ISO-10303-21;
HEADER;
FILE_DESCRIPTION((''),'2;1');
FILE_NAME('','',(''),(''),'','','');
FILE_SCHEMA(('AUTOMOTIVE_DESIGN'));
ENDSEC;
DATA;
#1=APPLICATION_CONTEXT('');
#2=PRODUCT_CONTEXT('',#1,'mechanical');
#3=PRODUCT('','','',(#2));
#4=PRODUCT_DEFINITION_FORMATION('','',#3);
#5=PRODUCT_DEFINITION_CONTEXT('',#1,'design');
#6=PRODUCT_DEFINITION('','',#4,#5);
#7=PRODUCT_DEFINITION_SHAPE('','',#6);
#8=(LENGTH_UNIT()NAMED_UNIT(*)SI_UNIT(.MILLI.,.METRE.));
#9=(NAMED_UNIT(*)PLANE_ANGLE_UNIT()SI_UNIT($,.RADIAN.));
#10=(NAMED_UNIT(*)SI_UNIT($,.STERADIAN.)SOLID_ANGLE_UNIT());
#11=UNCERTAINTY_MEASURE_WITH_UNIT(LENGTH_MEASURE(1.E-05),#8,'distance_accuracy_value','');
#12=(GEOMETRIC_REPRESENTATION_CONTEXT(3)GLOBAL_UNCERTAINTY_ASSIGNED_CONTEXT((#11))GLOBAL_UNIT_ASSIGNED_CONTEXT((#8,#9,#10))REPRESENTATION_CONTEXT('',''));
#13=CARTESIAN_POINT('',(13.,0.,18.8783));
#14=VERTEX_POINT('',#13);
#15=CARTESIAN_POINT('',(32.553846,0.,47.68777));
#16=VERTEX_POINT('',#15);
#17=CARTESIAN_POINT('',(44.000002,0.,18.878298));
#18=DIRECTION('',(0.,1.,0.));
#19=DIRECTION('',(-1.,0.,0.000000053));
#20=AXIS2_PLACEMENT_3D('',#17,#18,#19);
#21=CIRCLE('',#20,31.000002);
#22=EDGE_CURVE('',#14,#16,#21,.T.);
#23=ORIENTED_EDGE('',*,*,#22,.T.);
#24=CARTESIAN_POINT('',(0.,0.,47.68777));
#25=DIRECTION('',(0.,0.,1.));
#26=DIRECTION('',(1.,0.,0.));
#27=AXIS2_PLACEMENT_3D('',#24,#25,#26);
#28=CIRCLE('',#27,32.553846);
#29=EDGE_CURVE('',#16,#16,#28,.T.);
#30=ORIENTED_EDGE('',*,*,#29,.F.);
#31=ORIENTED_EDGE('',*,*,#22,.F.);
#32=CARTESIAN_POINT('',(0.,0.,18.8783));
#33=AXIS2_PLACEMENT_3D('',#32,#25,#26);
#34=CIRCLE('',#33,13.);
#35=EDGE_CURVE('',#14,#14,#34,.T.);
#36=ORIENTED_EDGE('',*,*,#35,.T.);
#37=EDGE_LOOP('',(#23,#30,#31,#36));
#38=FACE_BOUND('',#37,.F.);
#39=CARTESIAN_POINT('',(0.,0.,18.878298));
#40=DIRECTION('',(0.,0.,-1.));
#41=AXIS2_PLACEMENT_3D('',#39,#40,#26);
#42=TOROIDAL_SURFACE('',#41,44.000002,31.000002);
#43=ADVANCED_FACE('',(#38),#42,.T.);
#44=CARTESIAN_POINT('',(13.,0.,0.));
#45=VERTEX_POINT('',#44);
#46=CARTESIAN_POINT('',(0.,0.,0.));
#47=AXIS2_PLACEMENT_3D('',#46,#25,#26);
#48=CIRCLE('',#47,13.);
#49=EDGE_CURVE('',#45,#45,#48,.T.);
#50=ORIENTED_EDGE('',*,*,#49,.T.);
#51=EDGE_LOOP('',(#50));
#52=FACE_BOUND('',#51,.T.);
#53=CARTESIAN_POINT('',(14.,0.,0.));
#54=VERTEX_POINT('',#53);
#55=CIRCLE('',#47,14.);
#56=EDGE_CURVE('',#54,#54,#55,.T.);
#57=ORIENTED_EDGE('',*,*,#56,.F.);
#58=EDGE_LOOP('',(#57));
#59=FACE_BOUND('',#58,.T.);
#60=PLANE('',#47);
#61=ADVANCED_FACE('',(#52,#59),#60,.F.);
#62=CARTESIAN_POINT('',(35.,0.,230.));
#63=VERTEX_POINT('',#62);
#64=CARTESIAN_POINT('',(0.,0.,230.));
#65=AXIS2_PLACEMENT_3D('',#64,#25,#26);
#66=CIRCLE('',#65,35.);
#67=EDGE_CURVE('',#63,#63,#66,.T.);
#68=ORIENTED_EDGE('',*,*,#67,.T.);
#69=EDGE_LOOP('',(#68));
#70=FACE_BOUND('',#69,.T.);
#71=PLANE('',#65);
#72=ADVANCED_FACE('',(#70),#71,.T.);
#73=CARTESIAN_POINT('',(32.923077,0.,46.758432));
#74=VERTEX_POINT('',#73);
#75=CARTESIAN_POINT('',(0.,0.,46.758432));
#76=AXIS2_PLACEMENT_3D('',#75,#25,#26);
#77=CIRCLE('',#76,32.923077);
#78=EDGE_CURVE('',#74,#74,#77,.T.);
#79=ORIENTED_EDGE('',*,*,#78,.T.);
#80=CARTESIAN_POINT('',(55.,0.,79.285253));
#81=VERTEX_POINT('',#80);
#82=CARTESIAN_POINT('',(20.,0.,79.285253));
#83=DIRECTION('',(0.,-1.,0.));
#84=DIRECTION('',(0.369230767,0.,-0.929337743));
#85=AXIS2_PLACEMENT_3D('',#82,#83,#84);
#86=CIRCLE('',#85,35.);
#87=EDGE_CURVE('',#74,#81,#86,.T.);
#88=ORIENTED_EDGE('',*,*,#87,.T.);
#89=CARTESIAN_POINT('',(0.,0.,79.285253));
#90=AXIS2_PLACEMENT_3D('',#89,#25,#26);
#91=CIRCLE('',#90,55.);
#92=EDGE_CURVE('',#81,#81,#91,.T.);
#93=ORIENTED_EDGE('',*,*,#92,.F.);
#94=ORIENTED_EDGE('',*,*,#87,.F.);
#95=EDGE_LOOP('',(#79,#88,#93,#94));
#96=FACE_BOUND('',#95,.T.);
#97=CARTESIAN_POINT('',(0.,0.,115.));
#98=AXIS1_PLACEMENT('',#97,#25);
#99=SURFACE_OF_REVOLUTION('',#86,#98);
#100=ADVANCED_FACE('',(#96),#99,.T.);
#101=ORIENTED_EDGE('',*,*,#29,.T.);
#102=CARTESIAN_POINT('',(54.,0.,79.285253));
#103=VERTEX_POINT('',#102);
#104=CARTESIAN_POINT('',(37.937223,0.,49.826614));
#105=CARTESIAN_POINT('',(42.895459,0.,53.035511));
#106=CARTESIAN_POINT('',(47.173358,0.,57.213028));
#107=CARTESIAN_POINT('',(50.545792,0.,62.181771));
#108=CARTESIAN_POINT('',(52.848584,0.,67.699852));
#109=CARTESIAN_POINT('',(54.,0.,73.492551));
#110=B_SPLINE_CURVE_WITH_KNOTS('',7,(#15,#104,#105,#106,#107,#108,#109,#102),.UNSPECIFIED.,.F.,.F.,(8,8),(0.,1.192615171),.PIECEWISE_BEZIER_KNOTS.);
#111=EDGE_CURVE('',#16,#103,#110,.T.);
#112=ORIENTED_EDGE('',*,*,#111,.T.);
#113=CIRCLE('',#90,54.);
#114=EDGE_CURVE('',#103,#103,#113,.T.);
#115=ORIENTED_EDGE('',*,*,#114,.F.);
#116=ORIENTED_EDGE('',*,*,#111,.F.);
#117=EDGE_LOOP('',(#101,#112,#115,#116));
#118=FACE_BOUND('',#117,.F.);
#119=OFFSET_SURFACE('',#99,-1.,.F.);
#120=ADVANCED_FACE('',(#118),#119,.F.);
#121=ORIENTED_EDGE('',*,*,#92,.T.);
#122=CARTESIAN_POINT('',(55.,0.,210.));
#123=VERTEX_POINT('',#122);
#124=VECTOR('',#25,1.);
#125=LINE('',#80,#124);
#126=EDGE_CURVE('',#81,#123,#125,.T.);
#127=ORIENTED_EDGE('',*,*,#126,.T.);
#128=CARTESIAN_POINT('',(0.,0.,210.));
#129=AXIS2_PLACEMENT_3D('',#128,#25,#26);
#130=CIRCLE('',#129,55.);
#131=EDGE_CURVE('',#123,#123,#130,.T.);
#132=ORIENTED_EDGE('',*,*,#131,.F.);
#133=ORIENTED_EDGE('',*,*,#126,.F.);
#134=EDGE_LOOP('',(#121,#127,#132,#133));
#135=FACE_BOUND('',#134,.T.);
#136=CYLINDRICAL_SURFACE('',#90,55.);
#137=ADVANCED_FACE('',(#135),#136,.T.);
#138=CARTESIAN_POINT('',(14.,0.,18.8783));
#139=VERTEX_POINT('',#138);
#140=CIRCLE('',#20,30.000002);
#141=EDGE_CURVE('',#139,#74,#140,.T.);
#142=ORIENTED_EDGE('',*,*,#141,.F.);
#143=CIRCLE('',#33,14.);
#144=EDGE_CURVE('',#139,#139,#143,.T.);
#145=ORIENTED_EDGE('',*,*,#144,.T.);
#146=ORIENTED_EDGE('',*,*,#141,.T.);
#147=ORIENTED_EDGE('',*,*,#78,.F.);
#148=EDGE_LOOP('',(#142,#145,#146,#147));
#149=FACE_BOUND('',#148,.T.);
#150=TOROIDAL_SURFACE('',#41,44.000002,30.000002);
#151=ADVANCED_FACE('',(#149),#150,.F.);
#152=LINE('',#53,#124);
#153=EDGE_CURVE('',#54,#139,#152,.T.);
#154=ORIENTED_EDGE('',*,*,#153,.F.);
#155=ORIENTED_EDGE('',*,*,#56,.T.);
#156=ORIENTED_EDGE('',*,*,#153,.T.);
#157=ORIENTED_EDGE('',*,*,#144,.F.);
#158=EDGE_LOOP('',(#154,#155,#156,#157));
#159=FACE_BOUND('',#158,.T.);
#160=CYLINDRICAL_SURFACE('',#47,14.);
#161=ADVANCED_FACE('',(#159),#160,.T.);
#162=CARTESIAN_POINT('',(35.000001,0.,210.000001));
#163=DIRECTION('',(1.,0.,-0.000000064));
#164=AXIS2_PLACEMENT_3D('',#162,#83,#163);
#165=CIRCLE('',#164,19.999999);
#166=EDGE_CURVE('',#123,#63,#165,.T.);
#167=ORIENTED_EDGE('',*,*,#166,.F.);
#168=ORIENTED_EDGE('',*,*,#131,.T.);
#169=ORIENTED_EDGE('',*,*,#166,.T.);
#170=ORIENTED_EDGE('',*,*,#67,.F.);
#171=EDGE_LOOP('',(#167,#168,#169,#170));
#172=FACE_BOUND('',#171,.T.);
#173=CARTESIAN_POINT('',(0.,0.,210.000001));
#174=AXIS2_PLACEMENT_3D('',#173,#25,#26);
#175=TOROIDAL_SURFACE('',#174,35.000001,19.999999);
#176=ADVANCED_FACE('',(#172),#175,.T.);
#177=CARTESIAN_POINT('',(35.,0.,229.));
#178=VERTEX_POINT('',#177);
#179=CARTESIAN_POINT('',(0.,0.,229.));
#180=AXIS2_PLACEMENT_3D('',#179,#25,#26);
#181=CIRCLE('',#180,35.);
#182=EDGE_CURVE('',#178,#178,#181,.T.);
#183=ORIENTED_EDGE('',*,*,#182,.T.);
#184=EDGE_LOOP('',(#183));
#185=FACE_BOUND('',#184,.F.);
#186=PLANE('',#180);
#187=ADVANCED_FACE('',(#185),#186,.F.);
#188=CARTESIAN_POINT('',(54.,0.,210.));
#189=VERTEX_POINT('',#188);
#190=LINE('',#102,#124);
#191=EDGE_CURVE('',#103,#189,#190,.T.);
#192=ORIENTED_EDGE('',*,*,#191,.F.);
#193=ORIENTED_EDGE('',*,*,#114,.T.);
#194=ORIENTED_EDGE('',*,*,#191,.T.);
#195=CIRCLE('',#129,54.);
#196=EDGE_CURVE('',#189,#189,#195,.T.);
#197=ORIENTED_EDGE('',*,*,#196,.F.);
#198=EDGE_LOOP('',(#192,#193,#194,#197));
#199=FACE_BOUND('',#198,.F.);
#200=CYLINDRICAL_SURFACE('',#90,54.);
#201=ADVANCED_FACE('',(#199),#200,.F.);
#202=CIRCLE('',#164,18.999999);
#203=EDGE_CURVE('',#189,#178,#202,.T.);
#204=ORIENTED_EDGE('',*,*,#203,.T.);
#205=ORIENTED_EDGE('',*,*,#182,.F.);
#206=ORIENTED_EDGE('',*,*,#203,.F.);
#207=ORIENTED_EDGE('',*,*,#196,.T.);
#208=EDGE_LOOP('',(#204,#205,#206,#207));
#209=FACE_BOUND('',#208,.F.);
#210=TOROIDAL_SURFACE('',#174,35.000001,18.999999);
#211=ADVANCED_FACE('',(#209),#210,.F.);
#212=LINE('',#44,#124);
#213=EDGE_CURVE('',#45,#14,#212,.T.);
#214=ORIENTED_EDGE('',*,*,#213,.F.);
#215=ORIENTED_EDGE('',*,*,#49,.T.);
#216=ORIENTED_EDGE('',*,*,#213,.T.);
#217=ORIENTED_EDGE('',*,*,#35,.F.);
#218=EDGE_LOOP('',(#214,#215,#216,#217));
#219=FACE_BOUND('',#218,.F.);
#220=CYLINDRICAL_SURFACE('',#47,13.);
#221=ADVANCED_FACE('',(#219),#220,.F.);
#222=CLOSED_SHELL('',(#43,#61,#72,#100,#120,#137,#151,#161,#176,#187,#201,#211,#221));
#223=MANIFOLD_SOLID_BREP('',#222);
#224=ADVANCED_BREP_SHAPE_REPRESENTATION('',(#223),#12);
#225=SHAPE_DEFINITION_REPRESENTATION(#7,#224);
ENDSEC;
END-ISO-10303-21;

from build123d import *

# Parameters (mm, degrees)
F2_T = -1


with BuildPart() as f1:
    # F0 (on Front) → F1 (revolve)
    with BuildSketch(Plane.XZ):
        with BuildLine():
            Line((0, 230), (0, 0))
            Line((0, 0), (14, 0))
            Line((14, 0), (14, 18.8783))
            ThreePointArc((14, 18.8783), (19.177554, 35.726034), (32.923077, 46.758432))
            ThreePointArc((32.923077, 46.758432), (48.959521, 59.629563), (55, 79.285253))
            Line((55, 79.285253), (55, 210))
            ThreePointArc((55, 210), (49.142136, 224.142136), (35, 230))
            Line((35, 230), (0, 230))
        make_face()
    revolve(axis=Axis((0, 0, 115), (0, 0, 1)))

    # F2
    f2_openings = [f1.faces().sort_by_distance(p)[0] for p in [
        (0, 0, 0),
    ]]
    offset(amount=F2_T, openings=f2_openings)


solid = f1.part
